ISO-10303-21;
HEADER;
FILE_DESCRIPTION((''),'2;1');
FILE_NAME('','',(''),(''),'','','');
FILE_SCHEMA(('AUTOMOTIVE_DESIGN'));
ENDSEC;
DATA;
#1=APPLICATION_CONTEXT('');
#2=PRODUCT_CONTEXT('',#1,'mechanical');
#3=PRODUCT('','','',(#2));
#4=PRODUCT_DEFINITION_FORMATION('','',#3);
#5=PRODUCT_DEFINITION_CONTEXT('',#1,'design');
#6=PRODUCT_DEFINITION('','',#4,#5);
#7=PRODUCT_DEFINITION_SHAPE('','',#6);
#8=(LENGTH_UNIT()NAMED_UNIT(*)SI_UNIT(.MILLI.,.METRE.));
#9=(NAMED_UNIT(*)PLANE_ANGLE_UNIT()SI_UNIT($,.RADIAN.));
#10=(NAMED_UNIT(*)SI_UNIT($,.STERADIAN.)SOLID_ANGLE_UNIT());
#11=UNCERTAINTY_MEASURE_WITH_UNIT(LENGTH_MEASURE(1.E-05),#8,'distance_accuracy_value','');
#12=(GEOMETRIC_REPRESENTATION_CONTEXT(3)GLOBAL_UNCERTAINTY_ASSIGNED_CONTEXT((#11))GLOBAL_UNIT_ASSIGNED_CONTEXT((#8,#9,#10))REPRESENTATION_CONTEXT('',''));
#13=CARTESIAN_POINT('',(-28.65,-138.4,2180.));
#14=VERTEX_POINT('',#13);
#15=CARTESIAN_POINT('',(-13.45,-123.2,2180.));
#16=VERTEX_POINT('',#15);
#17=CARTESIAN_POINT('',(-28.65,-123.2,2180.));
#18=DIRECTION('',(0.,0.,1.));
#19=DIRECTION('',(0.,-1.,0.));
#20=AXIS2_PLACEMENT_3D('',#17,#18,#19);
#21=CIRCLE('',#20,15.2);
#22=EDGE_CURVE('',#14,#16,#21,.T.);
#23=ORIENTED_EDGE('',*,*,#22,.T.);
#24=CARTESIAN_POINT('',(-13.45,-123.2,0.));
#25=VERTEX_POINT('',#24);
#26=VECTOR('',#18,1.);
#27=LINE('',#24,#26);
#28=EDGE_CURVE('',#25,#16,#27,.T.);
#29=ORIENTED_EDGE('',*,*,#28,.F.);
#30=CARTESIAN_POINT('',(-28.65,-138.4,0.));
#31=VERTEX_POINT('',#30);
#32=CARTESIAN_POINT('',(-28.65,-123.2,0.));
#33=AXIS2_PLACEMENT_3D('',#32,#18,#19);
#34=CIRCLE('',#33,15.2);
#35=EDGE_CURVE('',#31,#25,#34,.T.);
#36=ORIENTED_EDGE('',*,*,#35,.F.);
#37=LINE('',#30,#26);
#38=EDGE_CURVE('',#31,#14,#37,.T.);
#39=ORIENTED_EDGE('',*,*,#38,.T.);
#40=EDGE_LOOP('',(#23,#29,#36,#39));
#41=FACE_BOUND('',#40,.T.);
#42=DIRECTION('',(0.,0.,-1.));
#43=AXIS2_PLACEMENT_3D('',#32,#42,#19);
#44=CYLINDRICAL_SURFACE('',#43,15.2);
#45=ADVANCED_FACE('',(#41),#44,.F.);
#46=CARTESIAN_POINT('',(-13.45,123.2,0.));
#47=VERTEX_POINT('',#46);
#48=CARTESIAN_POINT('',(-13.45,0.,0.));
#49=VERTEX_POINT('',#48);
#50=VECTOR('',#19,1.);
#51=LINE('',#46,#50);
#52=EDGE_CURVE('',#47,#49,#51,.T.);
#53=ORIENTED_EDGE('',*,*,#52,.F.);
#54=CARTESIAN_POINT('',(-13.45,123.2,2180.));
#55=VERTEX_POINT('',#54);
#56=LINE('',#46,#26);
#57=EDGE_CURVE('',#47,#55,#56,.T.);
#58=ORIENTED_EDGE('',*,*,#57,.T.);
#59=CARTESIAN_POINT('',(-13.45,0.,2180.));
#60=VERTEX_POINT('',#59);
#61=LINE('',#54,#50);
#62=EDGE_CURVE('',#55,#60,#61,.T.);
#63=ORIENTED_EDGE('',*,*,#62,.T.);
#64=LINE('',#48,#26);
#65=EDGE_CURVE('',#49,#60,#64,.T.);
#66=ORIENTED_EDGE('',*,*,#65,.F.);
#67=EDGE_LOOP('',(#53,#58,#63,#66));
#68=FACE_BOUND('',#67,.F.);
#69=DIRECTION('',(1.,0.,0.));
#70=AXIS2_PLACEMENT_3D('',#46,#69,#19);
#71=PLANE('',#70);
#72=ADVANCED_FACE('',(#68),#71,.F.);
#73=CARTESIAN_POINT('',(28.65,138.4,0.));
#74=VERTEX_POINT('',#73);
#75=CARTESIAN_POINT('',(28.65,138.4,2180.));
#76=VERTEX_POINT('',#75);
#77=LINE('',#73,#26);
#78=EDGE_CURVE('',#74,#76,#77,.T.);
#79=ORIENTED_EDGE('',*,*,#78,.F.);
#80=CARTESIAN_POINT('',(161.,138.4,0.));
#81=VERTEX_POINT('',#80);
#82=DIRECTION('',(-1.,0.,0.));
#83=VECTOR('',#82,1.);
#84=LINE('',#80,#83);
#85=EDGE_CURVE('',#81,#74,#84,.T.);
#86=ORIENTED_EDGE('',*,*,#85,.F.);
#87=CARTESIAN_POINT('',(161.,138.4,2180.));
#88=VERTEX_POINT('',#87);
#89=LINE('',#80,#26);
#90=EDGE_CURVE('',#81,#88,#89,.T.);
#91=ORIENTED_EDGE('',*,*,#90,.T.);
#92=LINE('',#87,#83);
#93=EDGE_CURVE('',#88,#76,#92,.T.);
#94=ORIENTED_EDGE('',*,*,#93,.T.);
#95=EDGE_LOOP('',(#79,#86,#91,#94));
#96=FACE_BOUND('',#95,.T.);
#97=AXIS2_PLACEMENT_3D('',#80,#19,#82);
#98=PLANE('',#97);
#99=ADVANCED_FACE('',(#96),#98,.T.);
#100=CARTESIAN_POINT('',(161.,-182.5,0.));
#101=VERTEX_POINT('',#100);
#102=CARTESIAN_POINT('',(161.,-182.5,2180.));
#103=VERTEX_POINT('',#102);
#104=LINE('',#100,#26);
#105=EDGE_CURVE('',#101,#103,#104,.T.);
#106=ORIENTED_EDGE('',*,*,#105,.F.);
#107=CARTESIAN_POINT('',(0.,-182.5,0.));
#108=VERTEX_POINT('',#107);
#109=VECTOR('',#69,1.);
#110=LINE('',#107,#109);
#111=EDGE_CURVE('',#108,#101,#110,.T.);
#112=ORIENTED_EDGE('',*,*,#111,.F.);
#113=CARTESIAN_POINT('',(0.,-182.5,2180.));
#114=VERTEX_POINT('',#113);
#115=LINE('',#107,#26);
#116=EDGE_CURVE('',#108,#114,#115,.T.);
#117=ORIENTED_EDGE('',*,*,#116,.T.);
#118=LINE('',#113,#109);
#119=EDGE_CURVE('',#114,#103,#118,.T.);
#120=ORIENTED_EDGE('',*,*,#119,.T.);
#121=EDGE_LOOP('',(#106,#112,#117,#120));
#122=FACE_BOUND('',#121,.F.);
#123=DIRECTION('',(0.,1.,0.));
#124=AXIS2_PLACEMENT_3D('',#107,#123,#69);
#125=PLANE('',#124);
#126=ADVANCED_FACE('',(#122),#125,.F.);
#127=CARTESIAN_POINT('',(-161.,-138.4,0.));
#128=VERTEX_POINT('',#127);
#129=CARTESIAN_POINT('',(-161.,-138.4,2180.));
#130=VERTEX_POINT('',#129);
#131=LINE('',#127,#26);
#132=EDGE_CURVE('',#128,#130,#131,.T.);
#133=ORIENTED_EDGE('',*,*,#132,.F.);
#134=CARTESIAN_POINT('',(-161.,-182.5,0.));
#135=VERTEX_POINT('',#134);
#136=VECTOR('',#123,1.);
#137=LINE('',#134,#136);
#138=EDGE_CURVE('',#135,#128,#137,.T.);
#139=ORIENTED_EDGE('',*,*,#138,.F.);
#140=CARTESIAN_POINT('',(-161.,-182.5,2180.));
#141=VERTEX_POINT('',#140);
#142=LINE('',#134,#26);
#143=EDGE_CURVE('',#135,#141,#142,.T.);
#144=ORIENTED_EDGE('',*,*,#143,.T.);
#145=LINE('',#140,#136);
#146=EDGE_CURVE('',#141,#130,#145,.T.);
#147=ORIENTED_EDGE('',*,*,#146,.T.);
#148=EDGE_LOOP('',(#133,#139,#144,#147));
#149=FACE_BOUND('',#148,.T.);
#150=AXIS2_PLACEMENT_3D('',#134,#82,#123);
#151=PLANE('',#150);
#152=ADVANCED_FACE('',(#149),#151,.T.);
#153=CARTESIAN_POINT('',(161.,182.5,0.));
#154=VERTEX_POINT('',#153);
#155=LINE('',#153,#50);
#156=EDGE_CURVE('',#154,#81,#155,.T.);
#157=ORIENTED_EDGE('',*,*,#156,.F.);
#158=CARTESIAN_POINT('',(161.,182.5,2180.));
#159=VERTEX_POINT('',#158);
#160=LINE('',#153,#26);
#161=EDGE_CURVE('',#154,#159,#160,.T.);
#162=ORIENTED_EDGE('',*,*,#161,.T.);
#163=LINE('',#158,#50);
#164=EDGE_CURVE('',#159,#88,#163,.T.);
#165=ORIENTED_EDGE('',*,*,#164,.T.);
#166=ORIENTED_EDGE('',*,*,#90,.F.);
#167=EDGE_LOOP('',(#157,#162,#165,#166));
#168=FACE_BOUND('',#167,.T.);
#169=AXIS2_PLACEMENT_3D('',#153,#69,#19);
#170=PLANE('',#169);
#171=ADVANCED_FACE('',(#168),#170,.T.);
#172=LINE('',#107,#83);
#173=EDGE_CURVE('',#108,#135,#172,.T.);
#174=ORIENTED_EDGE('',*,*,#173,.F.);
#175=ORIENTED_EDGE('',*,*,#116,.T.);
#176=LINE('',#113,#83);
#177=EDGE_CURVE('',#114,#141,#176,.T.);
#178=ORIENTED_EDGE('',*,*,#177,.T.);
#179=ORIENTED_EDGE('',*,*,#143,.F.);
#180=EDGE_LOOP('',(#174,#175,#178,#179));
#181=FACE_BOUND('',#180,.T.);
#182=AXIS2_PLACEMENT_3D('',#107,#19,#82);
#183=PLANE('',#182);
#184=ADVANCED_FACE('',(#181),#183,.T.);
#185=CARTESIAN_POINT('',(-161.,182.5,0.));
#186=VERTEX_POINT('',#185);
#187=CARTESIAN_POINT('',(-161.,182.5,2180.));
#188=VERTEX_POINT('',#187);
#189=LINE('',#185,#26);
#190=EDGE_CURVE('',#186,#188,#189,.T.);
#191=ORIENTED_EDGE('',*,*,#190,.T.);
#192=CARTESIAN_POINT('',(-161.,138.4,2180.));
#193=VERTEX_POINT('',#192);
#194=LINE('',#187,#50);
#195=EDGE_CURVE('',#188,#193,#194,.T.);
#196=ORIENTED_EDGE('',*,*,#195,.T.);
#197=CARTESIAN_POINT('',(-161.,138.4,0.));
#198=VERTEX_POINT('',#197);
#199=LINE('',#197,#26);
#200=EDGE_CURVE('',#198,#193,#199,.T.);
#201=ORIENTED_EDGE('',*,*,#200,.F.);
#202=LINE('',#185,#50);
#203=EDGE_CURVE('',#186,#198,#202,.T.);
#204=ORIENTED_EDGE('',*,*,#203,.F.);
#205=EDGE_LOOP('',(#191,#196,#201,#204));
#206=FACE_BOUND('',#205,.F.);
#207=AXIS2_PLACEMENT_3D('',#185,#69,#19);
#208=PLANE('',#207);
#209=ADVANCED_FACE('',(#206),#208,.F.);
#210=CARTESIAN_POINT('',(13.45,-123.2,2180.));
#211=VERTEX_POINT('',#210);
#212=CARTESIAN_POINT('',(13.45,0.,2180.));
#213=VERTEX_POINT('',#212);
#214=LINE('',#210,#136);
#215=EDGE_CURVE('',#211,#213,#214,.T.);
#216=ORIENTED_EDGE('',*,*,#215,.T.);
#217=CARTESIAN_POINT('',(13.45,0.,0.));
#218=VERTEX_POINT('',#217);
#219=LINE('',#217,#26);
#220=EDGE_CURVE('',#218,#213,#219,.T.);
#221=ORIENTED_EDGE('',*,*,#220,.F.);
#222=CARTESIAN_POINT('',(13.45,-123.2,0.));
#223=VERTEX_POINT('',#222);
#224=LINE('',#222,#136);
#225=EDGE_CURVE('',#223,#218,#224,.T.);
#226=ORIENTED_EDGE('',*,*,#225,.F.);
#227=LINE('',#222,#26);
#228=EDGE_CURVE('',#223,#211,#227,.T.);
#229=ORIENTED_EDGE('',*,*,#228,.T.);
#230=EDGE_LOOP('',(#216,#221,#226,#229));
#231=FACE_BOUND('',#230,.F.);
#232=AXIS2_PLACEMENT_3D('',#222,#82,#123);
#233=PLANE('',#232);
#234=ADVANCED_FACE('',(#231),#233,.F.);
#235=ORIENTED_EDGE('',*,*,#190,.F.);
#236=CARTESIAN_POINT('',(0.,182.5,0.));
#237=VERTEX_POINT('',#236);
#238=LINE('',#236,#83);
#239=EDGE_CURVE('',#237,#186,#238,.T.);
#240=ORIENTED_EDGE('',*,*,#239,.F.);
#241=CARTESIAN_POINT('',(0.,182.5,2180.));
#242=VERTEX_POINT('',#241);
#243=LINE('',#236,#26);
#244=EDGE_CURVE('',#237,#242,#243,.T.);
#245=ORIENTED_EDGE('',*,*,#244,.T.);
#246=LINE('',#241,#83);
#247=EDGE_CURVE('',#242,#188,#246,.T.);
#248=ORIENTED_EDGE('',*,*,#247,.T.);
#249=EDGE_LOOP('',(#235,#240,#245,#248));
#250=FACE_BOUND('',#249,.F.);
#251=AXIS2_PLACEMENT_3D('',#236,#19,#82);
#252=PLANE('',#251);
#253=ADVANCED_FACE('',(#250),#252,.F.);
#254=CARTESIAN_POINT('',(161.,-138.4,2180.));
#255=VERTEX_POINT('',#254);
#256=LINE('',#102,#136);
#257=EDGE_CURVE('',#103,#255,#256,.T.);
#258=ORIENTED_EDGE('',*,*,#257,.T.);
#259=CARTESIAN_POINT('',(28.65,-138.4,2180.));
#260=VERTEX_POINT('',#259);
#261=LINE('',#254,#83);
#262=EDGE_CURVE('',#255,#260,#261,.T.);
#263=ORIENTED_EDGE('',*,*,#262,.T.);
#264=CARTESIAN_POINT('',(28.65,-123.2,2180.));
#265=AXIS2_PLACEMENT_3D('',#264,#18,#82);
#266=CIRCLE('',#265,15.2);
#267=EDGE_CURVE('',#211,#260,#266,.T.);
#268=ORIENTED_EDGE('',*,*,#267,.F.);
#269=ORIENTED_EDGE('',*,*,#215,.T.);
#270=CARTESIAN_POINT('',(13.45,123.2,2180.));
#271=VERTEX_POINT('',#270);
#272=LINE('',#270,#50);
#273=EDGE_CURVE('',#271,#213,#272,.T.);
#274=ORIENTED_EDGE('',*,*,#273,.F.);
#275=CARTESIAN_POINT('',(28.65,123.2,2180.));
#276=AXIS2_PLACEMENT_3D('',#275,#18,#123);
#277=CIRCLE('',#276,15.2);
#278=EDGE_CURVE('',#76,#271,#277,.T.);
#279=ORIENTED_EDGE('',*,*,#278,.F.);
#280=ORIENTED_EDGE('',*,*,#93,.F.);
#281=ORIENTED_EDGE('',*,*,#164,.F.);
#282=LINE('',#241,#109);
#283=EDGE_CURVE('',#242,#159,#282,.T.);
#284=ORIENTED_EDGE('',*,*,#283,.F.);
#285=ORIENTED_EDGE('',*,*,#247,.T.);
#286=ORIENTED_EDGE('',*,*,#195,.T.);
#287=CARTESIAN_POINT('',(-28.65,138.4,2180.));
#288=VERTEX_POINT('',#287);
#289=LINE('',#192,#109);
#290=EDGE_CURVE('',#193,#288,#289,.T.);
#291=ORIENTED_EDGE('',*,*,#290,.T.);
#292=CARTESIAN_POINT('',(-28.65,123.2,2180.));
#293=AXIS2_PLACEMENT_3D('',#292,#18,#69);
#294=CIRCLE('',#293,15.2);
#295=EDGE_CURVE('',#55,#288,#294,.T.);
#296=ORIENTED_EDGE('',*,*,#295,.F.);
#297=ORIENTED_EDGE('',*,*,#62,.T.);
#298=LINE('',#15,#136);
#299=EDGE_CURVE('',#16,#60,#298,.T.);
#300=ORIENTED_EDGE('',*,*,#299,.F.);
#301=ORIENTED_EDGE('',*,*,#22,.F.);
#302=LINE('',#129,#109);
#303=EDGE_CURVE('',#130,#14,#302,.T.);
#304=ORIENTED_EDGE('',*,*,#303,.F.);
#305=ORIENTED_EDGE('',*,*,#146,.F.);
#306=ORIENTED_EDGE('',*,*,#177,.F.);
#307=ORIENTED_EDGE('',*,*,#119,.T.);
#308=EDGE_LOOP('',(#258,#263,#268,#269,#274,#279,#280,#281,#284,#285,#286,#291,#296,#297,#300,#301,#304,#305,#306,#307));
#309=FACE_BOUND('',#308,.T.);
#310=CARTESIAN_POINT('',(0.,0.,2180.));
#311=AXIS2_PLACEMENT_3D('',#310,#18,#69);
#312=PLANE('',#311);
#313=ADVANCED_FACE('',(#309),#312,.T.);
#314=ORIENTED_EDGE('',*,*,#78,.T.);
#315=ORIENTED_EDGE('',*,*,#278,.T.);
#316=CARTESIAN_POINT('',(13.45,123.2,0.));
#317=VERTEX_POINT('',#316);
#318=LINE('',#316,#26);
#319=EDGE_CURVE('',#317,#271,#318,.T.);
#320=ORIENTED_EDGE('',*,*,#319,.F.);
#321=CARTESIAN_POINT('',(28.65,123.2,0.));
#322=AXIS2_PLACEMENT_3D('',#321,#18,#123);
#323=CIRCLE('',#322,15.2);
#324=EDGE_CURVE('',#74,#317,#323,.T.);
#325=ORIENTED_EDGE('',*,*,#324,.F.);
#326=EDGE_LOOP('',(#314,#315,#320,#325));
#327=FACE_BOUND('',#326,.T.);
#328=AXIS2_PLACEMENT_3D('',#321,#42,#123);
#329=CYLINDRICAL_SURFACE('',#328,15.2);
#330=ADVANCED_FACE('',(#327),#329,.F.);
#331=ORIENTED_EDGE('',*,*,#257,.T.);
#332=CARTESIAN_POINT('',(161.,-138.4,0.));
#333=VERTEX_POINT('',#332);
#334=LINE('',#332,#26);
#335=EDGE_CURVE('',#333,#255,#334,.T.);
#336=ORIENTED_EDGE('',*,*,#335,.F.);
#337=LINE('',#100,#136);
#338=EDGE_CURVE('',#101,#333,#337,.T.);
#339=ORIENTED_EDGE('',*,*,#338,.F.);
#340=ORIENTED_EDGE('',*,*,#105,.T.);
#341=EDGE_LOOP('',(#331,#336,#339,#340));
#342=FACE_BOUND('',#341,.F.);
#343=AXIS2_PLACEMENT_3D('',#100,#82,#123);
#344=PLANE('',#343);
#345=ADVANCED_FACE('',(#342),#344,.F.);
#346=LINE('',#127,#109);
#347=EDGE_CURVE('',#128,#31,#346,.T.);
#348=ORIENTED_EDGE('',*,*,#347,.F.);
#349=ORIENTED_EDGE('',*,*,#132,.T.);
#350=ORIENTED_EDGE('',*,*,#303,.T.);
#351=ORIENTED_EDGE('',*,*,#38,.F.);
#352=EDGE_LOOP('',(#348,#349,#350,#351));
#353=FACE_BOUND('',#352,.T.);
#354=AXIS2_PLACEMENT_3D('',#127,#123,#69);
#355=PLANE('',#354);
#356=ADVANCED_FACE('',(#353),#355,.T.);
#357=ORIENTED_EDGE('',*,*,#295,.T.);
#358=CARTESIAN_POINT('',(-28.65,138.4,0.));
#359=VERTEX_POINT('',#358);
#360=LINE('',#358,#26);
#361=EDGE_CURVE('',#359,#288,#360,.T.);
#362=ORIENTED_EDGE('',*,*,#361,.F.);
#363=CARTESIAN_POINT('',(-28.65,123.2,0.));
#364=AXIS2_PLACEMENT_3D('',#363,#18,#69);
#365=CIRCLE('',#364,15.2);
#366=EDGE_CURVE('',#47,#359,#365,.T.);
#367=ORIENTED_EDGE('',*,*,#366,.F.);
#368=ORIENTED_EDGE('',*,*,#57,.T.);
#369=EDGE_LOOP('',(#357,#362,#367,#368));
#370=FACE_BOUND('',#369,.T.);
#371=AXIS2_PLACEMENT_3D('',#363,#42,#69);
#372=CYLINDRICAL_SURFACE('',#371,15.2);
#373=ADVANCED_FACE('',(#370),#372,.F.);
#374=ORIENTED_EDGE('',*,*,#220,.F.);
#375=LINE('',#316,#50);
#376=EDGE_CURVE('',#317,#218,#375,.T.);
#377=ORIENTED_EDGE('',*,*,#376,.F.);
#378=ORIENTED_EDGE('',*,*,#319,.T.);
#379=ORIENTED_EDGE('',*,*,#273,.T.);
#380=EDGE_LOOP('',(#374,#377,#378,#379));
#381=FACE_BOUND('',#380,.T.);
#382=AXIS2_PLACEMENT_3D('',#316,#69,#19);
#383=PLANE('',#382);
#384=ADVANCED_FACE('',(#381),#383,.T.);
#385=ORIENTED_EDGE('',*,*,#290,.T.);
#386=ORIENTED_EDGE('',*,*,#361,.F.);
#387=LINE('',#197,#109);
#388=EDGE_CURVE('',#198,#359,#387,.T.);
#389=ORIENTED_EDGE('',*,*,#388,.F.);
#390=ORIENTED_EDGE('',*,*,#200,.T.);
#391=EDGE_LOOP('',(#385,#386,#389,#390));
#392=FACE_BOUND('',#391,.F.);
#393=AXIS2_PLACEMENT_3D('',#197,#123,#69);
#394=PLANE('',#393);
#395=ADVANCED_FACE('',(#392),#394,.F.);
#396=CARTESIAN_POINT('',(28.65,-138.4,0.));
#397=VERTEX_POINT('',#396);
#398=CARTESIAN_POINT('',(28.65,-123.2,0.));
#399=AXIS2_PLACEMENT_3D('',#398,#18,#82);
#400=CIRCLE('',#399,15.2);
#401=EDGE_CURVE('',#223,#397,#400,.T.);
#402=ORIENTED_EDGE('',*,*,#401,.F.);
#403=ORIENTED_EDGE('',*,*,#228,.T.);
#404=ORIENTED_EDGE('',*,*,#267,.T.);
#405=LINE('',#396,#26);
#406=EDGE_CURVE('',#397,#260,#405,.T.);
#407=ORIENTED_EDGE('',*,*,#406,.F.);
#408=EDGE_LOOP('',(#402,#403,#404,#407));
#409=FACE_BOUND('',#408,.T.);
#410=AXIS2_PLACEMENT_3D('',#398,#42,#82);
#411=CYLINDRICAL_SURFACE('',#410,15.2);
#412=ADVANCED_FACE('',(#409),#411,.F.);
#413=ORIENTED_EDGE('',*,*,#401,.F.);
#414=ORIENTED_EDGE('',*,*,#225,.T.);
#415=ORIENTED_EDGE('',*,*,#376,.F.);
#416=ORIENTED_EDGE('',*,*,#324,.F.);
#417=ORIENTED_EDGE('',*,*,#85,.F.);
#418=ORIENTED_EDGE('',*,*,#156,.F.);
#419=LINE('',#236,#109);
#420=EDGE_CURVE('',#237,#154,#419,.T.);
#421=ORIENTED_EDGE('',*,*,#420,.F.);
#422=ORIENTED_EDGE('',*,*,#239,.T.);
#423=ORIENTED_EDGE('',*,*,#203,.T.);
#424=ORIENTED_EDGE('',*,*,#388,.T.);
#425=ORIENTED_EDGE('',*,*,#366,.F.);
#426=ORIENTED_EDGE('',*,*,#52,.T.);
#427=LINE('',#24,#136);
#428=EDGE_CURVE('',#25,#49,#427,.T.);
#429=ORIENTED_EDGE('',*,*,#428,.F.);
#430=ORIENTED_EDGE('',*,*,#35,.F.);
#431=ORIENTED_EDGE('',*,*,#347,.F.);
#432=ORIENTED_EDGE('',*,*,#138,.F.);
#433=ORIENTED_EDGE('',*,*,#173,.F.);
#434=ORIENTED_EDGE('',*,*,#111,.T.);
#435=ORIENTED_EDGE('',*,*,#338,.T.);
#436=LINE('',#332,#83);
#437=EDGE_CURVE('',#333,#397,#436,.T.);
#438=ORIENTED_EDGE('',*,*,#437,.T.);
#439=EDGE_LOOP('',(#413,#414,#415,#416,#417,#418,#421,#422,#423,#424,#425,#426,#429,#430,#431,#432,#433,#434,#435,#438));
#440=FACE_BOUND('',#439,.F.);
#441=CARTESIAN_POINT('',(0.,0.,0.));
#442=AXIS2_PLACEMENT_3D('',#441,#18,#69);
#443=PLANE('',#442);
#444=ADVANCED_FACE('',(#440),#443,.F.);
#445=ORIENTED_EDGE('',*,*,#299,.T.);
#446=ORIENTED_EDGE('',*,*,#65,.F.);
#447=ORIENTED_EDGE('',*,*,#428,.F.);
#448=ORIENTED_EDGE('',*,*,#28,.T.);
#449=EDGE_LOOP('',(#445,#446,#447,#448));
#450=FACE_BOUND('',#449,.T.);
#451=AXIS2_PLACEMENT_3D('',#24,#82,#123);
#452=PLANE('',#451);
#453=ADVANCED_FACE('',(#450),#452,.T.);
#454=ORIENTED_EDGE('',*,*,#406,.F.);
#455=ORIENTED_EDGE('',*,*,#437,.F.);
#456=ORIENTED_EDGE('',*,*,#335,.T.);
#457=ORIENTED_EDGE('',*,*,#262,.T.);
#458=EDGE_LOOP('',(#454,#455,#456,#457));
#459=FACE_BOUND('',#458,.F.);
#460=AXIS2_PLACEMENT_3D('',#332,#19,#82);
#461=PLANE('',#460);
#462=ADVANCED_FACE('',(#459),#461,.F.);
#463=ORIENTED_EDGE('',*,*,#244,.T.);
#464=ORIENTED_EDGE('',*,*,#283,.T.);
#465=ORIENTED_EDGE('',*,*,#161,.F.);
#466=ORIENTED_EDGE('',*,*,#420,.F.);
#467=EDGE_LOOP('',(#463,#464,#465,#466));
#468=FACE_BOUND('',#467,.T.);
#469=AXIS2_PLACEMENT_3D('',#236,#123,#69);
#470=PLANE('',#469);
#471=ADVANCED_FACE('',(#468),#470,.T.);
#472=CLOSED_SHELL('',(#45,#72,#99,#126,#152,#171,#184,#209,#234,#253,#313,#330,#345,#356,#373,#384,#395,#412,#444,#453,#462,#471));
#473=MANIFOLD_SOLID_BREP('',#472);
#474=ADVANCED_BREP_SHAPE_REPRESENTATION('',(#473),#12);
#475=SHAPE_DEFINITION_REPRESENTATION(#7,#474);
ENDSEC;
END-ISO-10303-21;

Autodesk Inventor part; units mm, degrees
ref_plane "YZ Plane" through (0, 0, 0) normal (1, 0, 0) x (0, 1, 0)
ref_plane "Start plane" through (0, 0, 0) normal (0, 0, 1) x (1, 0, 0)
ref_plane "End plane" through (0, 0, 2180) normal (0, 0, 1) x (1, 0, 0)
sketch "Sketch" plane through (0, 0, 0) normal (0, 0, 1) x (1, 0, 0)
  line L0 (-161, -182.5) -> (-161, -138.4)
  line L1 (-161, -138.4) -> (-28.65, -138.4)
  line L2 (-13.45, -123.2) -> (-13.45, 0)
  line L3 (-13.45, 0) -> (0, 0) construction
  line L4 (0, 0) -> (0, -182.5) construction
  line L5 (0, -182.5) -> (-161, -182.5)
  line L6 (-60, 0) -> (80, 0) construction
  line L7 (0, -60) -> (0, 80) construction
  line L8 (161, -182.5) -> (161, -138.4)
  line L9 (161, -138.4) -> (28.65, -138.4)
  line L10 (13.45, -123.2) -> (13.45, 0)
  line L11 (13.45, 0) -> (0, 0) construction
  line L12 (0, -182.5) -> (161, -182.5)
  line L13 (-161, 182.5) -> (-161, 138.4)
  line L14 (-161, 138.4) -> (-28.65, 138.4)
  line L15 (-13.45, 123.2) -> (-13.45, 0)
  line L16 (0, 182.5) -> (-161, 182.5)
  line L17 (161, 182.5) -> (161, 138.4)
  line L18 (161, 138.4) -> (28.65, 138.4)
  line L19 (0, 182.5) -> (161, 182.5)
  line L20 (13.45, 123.2) -> (13.45, 0)
  arc A0 (-13.45, 123.2) -> (-28.65, 138.4) centre (-28.65, 123.2) ccw
  arc A1 (28.65, 138.4) -> (13.45, 123.2) centre (28.65, 123.2) ccw
  arc A2 (13.45, -123.2) -> (28.65, -138.4) centre (28.65, -123.2) ccw
  arc A3 (-28.65, -138.4) -> (-13.45, -123.2) centre (-28.65, -123.2) ccw
  line L21 (0, 108) -> (0, -88) construction
  line L22 (-88, 0) -> (108, 0) construction
  point P0 (-13.45, -138.4)
  point P1 (13.45, -138.4)
  point P2 (-13.45, 138.4)
  point P3 (13.45, 138.4)
  dimension "d1" = 182.5
  dimension "d2" = 44.1
  dimension "d3" = 161
  dimension "d4" = 13.45
  dimension "d10" = 15.2
extrude "Body" add sketch "Sketch" along normal up to surface (2180 mm away) from surface at 0
sketch "Sketch4" plane through (0, 0, 0) normal (0, 0, 1) x (1, 0, 0)
  line L0 (0, 0) -> (10, 0)
ref_plane "Work Plane3" through (0, 0, 0) normal (0, -1, 0) x (1, 0, 0)
sketch "Sketch5" plane through (0, 0, 0) normal (0, -1, 0) x (1, 0, 0)
  line L0 (-2, 0) -> (12, 0) projected
  line L1 (-2, 2180) -> (12, 2180) projected
  dimension "d14" = 2180
equation "\"d1\" = 0.5 * G_H"
equation "\"d2\" = G_T1"
equation "\"d3\" = 0.5 * G_W"
equation "\"d4\" = 0.5 * G_T"
equation "\"d10\" = G_IR"
equation "\"d5\" = G_L"
equation "\"G_W\" = 322"
equation "\"G_H\" = 365"
equation "\"G_T\" = 26.9"
equation "\"G_T1\" = 44.1"
equation "\"G_IR\" = 15.2"
equation "\"G_L\" = d14"
equation "\"G_OFFSET_START\" = 0"
equation "\"G_OFFSET_END\" = 0"
properties part number "AS 3679 - 310 UC - 283 - 2180" material "Steel, Mild"
